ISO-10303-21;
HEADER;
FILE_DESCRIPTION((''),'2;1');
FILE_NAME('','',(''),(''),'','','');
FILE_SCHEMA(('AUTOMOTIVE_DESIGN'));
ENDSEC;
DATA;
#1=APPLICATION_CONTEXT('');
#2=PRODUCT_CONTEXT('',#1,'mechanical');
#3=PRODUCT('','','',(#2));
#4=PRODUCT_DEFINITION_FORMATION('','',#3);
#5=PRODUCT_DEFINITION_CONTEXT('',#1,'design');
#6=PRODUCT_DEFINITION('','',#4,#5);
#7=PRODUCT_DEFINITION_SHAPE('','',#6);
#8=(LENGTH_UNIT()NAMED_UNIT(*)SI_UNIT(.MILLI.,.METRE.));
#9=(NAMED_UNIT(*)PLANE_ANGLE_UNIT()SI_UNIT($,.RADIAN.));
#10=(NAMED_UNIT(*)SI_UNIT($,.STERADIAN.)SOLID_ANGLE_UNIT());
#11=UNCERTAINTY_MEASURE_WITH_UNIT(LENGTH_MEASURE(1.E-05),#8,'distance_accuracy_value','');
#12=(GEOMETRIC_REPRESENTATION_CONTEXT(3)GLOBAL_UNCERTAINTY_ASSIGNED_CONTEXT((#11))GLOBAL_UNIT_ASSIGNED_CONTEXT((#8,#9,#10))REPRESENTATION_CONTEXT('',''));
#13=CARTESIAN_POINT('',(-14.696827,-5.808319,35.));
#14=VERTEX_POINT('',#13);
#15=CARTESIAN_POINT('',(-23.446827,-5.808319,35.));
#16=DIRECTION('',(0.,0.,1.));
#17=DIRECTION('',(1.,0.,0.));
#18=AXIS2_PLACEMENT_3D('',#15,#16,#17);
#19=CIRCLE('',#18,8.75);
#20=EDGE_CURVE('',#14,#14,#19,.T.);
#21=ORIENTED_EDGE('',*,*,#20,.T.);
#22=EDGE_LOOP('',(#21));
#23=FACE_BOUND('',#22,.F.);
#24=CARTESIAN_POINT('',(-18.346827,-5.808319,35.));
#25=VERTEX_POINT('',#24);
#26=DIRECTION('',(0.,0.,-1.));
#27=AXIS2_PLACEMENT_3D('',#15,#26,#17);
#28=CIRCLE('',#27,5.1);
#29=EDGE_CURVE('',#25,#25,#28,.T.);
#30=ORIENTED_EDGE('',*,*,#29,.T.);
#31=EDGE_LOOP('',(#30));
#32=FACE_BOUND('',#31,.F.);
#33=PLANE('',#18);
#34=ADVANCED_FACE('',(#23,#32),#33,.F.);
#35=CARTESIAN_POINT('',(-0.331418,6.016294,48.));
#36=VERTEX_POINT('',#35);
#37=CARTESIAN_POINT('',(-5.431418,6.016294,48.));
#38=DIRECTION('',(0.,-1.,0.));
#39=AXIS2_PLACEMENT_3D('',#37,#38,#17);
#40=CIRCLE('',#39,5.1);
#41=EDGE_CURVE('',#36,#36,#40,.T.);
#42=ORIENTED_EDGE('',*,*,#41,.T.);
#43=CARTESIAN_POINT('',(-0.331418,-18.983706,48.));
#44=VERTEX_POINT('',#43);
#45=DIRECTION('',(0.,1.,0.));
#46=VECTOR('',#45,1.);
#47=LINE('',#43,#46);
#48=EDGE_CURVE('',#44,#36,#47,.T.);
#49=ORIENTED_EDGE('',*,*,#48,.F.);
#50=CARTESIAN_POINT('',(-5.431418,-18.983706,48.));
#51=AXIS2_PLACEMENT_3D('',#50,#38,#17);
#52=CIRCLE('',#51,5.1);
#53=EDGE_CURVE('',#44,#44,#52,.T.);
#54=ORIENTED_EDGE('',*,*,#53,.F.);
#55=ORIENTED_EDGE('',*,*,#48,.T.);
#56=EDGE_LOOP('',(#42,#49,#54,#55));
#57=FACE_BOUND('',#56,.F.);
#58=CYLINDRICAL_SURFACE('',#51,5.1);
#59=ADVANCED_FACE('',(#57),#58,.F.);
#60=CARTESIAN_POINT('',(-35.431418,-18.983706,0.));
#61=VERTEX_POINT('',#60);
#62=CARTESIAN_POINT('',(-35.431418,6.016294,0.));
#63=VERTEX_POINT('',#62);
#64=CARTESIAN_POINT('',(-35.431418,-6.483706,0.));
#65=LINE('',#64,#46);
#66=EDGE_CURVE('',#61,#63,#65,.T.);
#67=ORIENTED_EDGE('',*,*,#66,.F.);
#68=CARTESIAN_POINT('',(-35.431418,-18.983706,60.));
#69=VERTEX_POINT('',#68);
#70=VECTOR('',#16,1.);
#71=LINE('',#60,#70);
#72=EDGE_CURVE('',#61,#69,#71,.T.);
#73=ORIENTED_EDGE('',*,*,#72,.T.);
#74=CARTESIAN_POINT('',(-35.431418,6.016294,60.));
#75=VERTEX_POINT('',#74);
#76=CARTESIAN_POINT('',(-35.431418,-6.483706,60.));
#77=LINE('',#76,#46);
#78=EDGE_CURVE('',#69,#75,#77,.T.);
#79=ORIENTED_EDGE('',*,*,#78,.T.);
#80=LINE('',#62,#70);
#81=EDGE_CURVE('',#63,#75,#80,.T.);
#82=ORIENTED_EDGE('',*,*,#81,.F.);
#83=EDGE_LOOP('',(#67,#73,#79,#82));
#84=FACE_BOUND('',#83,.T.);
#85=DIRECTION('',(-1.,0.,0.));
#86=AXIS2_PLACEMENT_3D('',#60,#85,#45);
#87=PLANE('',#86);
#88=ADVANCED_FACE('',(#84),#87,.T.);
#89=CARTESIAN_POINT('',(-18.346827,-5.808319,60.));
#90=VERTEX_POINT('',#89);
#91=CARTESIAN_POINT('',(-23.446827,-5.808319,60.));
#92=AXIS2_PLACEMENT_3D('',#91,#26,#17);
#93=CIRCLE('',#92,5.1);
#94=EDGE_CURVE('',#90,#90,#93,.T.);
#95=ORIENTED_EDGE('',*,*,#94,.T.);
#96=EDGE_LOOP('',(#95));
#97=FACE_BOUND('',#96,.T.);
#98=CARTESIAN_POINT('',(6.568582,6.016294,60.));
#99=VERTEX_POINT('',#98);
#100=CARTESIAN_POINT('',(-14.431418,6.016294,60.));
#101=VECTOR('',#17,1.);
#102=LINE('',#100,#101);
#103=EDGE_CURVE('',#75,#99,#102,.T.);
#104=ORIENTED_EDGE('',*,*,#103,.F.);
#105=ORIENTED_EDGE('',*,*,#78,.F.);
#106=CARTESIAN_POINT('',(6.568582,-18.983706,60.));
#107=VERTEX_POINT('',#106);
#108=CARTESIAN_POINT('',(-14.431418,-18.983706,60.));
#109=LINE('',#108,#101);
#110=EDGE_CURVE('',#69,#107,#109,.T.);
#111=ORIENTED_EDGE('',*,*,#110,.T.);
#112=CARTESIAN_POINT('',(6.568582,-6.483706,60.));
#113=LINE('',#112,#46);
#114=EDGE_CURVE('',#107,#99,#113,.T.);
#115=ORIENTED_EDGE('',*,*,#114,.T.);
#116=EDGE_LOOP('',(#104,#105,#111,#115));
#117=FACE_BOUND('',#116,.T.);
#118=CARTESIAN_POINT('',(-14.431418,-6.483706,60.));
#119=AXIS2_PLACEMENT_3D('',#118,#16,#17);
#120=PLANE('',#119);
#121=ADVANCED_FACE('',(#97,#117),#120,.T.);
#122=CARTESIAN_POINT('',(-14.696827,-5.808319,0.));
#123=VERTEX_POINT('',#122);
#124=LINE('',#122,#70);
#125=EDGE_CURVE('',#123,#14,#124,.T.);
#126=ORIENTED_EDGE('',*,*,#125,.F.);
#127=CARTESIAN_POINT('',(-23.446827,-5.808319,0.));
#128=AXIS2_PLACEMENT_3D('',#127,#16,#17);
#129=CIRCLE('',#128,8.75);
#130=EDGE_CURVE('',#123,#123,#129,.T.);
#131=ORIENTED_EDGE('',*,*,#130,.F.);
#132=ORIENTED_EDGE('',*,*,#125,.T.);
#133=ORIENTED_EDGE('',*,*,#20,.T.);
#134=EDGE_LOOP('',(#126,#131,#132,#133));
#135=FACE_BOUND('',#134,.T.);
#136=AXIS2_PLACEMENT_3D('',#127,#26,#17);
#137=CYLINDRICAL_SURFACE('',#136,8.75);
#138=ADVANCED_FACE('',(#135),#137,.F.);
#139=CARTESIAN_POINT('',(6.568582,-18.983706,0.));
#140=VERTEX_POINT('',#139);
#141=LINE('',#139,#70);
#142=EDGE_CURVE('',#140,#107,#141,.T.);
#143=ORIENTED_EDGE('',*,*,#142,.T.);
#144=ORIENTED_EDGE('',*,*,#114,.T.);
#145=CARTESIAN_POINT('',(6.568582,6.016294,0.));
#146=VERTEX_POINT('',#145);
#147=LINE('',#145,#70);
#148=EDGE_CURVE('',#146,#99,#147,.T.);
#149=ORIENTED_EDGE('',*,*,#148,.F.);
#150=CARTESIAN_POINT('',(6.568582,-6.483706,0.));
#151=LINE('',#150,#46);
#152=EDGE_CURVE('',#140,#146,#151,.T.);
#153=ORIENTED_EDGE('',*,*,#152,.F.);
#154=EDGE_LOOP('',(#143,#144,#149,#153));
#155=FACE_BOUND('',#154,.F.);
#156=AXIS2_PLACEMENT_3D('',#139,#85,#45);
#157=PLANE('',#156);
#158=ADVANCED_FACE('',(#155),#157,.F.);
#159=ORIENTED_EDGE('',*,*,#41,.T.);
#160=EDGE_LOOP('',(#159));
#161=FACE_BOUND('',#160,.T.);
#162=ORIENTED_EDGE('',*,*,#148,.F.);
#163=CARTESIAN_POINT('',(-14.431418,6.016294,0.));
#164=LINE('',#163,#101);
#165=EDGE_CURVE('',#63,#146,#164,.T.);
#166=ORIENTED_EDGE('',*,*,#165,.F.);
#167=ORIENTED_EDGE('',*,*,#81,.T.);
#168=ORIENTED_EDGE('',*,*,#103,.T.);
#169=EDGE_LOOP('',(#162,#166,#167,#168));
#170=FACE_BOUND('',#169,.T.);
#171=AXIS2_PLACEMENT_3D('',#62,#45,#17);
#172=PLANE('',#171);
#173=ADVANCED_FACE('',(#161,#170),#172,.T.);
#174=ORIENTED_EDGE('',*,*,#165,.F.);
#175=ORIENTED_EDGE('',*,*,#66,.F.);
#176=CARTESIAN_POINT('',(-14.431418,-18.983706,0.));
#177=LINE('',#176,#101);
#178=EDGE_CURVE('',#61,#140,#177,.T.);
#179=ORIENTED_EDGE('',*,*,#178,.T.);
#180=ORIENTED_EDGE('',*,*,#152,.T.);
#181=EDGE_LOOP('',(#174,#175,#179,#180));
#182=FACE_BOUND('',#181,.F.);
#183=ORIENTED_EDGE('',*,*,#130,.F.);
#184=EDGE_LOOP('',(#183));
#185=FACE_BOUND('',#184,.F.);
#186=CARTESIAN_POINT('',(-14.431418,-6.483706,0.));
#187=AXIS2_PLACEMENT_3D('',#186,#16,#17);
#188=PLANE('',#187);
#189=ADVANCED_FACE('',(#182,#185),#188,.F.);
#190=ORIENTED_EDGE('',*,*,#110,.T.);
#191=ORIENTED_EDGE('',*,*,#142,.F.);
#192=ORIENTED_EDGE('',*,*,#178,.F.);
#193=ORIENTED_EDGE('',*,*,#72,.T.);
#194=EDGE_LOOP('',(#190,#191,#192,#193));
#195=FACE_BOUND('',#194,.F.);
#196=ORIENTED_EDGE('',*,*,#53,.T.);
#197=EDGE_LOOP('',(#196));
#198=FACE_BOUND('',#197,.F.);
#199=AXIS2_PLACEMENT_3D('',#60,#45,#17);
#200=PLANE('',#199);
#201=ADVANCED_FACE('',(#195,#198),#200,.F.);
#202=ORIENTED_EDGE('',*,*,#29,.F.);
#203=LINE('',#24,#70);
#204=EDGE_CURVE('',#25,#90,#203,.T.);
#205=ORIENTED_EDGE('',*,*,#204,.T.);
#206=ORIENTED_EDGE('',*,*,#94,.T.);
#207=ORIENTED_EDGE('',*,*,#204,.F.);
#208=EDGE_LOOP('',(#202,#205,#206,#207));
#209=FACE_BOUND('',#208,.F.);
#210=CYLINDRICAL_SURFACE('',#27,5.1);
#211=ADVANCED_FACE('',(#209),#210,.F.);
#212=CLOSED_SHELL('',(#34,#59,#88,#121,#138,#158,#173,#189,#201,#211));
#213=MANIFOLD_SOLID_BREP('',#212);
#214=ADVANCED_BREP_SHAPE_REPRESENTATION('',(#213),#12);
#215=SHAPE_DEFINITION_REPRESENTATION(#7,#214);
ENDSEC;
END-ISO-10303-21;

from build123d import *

# Parameters (mm, degrees)
F0_W     = 42
F0_H     = 25
F1_DEPTH = 60
F3_R     = 8.75
F4_DEPTH = 35
F2_R     = 5.1
F5_DEPTH = 25.001
F6_R     = 5.1
F7_DEPTH = 35


with BuildPart() as f1:
    # F0 (on Top) → F1 (new body)
    with BuildSketch(Plane.XY):
        with Locations((-14.431418, -6.483706)):
            Rectangle(F0_W, F0_H)
    extrude(amount=F1_DEPTH)

    # F3 (on Top) → F4 (cut)
    with BuildSketch(Plane.XY):
        with Locations((-23.446827, -5.808319)):
            Circle(F3_R)
    extrude(amount=F4_DEPTH, mode=Mode.SUBTRACT)

    # F2 (on face) → F5 (cut, through all)
    with BuildSketch(Plane.XZ.offset(18.983706)):
        with Locations((-5.431418, 48)):
            Circle(F2_R)
    extrude(amount=-F5_DEPTH, mode=Mode.SUBTRACT)

    # F6 (on face) → F7 (cut)
    with BuildSketch(Plane(origin=(0, 0, 35), x_dir=(1, 0, 0), z_dir=(0, 0, -1))):
        with Locations((-23.446827, 5.808319)):
            Circle(F6_R)
    extrude(amount=-F7_DEPTH, mode=Mode.SUBTRACT)


solid = f1.part
